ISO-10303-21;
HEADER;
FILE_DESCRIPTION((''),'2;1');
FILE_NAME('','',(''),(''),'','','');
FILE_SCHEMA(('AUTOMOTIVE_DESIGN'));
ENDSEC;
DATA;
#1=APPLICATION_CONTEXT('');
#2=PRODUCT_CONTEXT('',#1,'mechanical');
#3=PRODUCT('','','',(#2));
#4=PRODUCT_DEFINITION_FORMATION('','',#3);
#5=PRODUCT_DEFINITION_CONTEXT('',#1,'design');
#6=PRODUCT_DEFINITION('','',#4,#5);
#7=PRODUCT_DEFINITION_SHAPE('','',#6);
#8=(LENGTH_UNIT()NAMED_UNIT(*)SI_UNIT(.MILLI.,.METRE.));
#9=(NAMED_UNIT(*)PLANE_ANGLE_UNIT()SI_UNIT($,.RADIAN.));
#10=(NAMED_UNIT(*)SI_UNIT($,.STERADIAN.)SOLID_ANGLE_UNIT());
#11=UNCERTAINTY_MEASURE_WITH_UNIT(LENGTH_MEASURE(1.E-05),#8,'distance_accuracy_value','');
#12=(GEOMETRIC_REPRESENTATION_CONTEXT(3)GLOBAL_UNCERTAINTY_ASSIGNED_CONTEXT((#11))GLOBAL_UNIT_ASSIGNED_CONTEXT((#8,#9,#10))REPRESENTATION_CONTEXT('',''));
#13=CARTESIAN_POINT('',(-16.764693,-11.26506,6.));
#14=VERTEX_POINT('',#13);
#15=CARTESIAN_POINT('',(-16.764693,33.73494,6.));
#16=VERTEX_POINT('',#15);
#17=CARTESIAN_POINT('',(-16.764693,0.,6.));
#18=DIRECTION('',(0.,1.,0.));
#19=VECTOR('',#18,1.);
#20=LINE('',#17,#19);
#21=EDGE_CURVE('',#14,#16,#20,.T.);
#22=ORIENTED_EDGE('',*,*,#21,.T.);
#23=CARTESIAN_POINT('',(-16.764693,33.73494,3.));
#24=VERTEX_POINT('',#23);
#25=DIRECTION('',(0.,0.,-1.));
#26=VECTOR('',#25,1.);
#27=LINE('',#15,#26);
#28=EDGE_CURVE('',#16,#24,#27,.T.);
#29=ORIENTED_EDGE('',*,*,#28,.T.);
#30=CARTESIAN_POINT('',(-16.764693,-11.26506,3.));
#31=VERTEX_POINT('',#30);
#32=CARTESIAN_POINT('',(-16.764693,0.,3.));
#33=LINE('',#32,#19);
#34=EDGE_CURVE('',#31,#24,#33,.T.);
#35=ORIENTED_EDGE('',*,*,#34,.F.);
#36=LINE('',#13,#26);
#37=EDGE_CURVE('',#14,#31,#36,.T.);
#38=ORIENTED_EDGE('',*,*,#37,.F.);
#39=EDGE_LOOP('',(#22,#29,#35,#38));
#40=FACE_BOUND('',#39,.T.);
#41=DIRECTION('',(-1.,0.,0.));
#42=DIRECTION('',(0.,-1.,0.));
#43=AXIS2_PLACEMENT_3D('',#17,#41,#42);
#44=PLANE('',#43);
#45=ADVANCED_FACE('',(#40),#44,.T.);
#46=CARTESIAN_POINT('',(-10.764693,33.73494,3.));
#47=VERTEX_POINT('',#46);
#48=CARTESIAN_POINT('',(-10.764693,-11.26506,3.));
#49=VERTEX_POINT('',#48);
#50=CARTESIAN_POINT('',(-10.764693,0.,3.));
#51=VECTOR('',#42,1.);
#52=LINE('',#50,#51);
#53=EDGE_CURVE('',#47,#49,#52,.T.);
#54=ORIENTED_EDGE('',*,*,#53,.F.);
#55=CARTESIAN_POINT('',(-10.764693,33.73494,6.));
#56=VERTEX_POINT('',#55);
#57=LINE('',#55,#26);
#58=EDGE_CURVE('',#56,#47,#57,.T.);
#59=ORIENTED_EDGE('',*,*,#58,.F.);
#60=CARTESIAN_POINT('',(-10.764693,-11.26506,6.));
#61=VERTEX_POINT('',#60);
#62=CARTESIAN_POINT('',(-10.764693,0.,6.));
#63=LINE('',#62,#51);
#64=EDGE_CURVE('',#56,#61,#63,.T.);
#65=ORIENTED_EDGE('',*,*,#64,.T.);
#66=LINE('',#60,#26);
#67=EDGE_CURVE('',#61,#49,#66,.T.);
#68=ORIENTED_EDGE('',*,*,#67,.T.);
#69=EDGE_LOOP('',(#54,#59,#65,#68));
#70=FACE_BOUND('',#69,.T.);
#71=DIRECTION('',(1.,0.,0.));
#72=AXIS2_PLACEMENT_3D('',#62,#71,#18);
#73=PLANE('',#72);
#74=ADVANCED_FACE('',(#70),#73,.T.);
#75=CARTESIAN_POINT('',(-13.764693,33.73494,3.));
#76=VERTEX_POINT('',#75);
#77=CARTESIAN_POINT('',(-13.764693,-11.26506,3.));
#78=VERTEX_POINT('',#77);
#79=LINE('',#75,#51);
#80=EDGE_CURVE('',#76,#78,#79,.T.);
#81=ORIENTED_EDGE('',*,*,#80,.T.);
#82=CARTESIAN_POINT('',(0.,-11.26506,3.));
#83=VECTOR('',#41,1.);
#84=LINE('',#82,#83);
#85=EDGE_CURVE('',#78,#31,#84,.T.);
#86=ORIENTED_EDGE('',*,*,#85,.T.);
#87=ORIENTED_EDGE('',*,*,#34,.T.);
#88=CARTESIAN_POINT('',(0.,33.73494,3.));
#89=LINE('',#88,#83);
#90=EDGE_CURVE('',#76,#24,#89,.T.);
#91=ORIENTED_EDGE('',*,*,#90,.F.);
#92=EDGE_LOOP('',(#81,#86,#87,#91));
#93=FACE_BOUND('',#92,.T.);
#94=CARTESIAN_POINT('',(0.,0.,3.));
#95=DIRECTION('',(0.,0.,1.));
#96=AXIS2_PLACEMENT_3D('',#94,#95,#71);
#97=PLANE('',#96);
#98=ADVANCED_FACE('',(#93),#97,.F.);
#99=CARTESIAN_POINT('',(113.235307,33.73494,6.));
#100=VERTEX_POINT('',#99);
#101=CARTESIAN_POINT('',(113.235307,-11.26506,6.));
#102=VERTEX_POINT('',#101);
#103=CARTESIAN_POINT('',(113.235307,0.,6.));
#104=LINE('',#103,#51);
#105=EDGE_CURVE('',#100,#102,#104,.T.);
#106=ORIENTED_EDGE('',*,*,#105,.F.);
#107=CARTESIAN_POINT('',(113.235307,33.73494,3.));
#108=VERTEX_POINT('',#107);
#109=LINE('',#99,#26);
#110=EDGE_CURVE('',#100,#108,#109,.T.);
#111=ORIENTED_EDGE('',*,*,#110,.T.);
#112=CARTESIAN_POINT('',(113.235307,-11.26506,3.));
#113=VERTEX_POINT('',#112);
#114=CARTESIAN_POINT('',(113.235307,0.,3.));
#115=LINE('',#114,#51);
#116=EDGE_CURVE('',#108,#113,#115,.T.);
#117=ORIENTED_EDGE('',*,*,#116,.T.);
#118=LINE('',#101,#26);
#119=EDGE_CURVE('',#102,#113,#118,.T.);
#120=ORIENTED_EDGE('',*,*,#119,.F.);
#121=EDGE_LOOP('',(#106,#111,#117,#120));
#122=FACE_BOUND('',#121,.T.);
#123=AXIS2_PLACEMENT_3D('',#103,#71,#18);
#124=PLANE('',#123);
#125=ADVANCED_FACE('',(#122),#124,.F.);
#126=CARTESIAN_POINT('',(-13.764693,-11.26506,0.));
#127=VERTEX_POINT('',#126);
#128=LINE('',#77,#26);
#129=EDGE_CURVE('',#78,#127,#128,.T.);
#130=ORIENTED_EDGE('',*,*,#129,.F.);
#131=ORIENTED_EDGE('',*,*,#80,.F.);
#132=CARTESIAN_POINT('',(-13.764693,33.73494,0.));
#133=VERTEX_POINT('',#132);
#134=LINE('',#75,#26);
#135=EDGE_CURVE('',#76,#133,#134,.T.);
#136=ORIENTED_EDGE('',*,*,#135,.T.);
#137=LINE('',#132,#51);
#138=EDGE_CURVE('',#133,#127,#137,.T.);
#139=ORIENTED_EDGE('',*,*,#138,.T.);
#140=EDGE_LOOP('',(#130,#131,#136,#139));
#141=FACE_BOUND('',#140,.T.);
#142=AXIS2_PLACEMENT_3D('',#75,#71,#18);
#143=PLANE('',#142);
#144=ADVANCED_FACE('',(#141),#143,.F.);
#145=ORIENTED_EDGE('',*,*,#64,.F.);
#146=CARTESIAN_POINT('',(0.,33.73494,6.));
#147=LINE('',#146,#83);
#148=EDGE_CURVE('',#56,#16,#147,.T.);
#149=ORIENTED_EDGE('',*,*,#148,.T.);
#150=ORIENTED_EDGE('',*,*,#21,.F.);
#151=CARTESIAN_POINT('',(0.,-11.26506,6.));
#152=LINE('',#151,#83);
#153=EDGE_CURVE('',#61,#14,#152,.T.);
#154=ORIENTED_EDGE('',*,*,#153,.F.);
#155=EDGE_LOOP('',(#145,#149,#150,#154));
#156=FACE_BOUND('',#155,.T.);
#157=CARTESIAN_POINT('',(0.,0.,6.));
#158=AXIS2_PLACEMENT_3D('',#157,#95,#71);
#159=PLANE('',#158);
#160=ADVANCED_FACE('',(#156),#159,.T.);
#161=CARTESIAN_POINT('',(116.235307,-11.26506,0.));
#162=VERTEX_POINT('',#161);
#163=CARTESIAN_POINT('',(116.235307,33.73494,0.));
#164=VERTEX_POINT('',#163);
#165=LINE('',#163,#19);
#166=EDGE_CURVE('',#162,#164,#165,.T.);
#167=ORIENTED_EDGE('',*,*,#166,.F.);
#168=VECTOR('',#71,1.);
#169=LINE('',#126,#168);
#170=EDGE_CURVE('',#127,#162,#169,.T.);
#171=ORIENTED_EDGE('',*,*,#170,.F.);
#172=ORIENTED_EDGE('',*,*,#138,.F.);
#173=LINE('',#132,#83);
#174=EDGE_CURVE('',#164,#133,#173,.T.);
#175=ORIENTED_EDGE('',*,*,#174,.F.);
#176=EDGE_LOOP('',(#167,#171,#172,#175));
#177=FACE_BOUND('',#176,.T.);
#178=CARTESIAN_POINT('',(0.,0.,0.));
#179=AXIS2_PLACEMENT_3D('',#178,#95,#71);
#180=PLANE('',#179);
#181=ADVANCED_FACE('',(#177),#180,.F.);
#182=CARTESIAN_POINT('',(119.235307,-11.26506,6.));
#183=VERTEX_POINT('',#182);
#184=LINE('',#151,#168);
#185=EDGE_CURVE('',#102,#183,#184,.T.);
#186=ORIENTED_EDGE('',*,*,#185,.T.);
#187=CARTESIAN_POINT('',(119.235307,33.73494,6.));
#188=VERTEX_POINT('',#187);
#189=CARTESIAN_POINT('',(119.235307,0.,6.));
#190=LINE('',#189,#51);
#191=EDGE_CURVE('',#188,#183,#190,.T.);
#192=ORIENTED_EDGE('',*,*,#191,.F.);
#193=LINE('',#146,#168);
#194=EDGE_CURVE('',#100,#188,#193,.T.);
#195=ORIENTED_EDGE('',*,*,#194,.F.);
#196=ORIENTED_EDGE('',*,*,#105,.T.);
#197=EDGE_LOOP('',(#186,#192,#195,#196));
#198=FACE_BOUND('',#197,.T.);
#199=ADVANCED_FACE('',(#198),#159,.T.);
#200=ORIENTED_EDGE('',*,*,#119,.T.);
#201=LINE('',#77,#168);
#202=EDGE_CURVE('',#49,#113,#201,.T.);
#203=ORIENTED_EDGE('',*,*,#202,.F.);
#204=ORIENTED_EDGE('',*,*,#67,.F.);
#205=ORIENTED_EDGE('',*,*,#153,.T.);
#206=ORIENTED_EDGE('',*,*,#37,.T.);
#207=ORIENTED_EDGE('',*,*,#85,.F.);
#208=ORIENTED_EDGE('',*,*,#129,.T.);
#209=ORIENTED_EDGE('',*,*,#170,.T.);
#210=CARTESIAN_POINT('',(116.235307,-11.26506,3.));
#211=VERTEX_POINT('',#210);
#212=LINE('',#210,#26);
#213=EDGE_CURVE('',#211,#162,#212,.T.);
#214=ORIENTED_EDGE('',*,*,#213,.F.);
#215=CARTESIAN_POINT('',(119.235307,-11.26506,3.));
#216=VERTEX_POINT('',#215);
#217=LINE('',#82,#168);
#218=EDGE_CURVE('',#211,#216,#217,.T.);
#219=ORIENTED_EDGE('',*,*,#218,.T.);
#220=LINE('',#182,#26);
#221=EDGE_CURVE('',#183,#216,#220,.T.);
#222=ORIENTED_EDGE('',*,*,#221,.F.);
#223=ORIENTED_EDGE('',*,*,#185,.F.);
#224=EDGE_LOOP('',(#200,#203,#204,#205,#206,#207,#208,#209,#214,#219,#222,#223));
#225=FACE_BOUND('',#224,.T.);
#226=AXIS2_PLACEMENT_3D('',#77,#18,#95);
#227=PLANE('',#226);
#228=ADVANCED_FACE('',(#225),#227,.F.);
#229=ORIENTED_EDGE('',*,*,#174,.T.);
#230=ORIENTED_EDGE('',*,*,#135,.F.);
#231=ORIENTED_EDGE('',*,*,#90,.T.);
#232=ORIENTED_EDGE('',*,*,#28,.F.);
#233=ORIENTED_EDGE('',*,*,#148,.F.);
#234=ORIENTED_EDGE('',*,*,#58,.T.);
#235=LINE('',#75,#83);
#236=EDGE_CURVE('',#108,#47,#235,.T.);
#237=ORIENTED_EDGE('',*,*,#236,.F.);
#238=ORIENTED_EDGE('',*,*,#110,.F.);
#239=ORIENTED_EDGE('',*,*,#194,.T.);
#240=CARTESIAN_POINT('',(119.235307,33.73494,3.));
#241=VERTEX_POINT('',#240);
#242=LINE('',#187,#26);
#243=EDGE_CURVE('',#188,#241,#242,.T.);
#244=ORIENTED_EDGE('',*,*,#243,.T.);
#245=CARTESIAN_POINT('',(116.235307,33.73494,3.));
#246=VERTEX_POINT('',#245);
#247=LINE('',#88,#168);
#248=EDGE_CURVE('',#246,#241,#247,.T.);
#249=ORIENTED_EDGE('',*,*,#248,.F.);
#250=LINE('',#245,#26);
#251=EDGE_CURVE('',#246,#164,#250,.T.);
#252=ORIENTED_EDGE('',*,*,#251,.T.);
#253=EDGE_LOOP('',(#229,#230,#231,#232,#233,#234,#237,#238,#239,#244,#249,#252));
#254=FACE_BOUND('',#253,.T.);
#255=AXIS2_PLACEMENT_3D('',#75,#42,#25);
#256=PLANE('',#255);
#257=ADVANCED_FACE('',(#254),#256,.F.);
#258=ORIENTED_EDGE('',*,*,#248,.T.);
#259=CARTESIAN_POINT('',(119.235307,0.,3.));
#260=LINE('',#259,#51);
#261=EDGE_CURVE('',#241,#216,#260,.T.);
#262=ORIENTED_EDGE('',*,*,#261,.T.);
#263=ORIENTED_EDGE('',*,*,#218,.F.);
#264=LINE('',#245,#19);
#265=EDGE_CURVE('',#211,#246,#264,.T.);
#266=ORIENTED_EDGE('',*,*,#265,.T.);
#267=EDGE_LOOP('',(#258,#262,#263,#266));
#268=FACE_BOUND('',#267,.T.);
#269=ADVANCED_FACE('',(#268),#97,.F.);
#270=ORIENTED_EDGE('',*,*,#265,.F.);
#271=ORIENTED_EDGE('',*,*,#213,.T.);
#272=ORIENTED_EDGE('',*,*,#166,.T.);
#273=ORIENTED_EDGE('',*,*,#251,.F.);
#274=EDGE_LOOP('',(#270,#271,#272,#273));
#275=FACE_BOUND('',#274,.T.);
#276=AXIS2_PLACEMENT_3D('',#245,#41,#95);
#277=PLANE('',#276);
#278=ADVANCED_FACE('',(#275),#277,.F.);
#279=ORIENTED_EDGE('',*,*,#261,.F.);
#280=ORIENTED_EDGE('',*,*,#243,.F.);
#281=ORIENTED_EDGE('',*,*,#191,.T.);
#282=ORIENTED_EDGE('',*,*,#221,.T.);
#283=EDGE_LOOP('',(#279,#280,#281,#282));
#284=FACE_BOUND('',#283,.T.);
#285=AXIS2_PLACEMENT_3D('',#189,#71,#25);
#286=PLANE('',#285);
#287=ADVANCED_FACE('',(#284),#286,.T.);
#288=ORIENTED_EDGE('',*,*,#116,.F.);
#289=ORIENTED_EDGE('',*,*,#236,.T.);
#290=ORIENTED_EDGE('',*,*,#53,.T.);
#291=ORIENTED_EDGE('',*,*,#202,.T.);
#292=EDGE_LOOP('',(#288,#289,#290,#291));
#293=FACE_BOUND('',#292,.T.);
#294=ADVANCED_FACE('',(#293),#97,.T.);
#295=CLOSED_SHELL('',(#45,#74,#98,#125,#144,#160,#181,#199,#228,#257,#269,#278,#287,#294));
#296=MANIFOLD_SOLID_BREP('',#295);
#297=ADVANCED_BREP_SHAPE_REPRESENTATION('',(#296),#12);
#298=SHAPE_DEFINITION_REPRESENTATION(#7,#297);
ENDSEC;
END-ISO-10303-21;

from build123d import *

# Parameters (mm, degrees)
SKETCH_1_W      = 130
SKETCH_1_H      = 45
EXTRUDE_1_DEPTH = 3
SKETCH_2_W      = 3
SKETCH_2_H      = 45
EXTRUDE_2_DEPTH = 3


with BuildPart() as part:
    # 草圖1 → 填料-伸長1 (new body)
    with BuildSketch(Plane.XY):
        with Locations((51.235306675, 11.234939759)):
            Rectangle(SKETCH_1_W, SKETCH_1_H)
    extrude(amount=EXTRUDE_1_DEPTH)

    # 草圖2 → 填料-伸長2 (add)
    with BuildSketch(Plane.XY.offset(3)):
        with Locations((-15.264693325, 11.234939759)):
            Rectangle(SKETCH_2_W, SKETCH_2_H)
        with Locations((-12.264693325, 11.234939759)):
            Rectangle(SKETCH_2_W, SKETCH_2_H)
        with Locations((117.735306675, 11.234939759)):
            Rectangle(SKETCH_2_W, SKETCH_2_H)
        with Locations((114.735306675, 11.234939759)):
            Rectangle(SKETCH_2_W, SKETCH_2_H)
    extrude(amount=EXTRUDE_2_DEPTH)


solid = part.part
